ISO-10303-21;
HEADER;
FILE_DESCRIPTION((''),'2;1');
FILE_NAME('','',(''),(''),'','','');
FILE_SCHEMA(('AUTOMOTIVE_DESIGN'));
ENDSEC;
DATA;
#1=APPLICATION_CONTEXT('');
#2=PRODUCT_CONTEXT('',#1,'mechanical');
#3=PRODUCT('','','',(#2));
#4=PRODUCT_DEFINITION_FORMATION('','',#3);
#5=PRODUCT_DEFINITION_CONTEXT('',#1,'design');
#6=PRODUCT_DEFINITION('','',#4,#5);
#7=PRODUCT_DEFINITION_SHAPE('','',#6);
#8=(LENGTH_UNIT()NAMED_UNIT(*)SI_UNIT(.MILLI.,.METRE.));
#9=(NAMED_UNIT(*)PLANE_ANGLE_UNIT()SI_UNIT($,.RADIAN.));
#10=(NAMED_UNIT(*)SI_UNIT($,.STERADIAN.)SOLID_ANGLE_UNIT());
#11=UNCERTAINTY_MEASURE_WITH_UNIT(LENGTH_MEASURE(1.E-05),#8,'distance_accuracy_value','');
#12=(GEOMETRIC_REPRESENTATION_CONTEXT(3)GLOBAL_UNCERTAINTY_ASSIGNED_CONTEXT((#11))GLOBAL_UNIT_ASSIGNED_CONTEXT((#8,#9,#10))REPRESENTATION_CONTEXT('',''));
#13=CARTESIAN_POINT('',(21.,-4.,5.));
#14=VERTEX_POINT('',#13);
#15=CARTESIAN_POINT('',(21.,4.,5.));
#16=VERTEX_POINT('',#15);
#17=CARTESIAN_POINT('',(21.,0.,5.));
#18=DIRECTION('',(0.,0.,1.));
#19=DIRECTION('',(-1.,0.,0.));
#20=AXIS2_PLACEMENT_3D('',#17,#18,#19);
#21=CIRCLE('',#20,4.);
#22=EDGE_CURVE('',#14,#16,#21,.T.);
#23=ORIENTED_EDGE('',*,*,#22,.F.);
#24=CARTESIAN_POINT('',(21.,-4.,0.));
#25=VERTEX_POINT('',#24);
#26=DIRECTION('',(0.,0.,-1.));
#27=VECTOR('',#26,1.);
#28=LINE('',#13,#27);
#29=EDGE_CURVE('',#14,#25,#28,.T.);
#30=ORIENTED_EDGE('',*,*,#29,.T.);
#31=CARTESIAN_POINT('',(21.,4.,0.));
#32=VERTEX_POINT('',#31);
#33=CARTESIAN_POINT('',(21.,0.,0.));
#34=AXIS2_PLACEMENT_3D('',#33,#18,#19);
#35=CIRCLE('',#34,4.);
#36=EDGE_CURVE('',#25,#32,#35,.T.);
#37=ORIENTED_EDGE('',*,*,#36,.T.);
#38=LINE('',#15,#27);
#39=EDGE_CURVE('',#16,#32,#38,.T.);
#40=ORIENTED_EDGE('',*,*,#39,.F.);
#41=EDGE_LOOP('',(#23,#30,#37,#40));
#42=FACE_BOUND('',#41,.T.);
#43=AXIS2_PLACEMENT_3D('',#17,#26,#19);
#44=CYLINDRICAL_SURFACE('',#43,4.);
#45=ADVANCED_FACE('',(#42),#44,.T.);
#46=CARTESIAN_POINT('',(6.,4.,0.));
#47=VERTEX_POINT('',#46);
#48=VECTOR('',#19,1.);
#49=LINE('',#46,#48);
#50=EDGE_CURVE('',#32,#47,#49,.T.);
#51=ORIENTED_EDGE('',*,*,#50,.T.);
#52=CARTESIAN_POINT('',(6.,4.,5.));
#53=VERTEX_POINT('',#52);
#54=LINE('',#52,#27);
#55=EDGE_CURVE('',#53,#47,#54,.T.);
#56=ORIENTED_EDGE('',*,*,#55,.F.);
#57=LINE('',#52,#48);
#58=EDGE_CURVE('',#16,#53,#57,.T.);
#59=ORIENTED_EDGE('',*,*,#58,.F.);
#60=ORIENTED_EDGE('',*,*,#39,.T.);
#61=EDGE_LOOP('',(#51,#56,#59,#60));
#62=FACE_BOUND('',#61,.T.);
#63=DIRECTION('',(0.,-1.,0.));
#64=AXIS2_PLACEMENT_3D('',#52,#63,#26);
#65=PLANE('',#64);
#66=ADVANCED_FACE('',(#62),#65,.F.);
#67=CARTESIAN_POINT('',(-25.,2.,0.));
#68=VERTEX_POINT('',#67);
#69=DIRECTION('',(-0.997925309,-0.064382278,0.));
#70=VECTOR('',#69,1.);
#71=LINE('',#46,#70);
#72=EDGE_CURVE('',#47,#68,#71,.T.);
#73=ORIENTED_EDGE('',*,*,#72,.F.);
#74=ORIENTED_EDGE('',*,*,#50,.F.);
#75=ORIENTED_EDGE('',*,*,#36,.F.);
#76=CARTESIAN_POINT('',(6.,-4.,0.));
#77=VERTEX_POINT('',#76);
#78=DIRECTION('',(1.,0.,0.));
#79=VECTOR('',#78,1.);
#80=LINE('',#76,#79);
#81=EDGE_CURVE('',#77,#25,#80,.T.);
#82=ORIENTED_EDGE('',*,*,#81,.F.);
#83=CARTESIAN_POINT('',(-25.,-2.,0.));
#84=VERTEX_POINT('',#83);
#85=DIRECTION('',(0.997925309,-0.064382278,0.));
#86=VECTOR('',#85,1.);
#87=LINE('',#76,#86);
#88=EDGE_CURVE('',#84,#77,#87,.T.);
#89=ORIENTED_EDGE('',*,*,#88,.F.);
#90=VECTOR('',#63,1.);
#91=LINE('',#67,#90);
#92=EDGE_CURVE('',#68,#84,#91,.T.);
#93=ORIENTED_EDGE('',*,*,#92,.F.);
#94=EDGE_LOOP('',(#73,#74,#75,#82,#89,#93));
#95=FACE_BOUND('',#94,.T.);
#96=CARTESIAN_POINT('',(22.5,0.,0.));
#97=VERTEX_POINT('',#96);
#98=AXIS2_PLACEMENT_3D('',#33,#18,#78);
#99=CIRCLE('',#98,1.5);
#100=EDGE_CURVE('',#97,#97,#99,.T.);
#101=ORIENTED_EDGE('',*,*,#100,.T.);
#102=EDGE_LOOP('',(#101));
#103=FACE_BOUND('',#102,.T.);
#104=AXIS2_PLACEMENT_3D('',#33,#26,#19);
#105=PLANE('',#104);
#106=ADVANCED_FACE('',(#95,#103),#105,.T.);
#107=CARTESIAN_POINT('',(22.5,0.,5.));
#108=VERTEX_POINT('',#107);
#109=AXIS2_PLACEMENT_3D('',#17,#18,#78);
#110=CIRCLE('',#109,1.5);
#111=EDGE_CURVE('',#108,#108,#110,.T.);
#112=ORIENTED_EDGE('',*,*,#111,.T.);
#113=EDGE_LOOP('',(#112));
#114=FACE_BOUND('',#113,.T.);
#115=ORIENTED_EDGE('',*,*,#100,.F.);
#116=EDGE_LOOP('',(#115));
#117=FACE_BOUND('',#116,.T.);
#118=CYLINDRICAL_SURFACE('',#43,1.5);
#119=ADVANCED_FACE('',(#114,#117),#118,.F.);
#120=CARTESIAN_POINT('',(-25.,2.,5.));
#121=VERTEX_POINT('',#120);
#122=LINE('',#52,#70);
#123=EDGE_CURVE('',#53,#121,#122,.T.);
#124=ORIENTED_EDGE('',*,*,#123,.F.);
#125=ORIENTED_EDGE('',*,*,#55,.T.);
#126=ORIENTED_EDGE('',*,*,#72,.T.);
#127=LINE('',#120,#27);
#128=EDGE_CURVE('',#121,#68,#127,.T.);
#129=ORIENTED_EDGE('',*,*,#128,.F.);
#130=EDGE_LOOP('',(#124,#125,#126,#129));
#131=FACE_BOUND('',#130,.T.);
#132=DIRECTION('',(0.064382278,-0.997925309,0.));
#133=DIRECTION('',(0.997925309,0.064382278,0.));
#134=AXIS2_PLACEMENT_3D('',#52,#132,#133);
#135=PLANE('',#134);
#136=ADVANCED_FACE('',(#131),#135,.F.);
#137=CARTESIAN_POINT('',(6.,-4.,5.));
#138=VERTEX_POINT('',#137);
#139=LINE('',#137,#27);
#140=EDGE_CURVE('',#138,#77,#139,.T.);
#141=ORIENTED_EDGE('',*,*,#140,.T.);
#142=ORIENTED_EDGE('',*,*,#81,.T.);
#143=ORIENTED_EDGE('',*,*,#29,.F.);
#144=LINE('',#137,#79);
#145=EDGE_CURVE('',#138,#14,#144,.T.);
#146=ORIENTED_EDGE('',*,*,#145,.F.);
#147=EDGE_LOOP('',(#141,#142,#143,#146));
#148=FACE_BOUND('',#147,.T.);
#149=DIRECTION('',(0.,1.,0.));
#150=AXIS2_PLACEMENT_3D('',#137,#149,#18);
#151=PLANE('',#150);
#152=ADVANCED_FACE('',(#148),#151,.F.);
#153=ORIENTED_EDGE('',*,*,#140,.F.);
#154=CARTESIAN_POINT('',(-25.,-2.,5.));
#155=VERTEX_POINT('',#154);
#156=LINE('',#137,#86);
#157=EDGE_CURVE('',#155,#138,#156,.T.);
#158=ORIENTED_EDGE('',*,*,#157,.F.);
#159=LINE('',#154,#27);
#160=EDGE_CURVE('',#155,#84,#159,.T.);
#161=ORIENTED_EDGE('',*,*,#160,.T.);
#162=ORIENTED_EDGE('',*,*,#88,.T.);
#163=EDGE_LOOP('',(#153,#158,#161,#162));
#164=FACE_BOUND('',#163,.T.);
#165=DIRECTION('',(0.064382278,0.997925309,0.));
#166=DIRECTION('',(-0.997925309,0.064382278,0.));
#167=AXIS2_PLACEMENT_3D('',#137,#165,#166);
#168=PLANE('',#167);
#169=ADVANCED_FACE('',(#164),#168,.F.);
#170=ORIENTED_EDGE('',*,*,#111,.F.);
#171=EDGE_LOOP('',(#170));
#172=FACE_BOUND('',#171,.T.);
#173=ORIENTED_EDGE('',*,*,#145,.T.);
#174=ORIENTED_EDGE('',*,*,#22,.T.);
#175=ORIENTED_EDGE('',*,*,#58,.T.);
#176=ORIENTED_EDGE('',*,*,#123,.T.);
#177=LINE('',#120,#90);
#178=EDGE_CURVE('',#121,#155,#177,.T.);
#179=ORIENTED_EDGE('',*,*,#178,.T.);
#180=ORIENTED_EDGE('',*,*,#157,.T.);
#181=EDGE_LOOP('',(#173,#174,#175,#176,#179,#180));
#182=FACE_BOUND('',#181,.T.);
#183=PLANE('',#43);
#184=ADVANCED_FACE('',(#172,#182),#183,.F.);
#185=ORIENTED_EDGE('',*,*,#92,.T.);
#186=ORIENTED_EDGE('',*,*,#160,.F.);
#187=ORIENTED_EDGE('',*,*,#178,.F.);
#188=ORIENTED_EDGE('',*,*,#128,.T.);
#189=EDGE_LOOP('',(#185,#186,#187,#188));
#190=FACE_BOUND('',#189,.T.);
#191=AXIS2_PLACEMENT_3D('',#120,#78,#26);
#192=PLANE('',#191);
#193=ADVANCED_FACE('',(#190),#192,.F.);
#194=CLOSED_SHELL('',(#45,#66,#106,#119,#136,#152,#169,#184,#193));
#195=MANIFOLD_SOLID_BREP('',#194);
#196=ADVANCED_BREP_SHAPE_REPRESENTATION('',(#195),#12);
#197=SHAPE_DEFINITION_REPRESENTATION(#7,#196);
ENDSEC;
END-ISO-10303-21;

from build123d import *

# Parameters (mm, degrees)
ESQUISSE1_R        = 1.5
BOSS_EXTRU_1_DEPTH = 5


with BuildPart() as part:
    # Esquisse1 → Boss.-Extru.1 (new body)
    with BuildSketch(Plane.XY):
        with BuildLine():
            Line((6, 4), (21, 4))
            ThreePointArc((21, 4), (25, 0), (21, -4))
            Line((21, -4), (6, -4))
            Line((6, -4), (-25, -2))
            Line((-25, -2), (-25, 2))
            Line((-25, 2), (6, 4))
        make_face()
        with Locations((21, 0)):
            Circle(ESQUISSE1_R, mode=Mode.SUBTRACT)
    extrude(amount=BOSS_EXTRU_1_DEPTH)


solid = part.part
